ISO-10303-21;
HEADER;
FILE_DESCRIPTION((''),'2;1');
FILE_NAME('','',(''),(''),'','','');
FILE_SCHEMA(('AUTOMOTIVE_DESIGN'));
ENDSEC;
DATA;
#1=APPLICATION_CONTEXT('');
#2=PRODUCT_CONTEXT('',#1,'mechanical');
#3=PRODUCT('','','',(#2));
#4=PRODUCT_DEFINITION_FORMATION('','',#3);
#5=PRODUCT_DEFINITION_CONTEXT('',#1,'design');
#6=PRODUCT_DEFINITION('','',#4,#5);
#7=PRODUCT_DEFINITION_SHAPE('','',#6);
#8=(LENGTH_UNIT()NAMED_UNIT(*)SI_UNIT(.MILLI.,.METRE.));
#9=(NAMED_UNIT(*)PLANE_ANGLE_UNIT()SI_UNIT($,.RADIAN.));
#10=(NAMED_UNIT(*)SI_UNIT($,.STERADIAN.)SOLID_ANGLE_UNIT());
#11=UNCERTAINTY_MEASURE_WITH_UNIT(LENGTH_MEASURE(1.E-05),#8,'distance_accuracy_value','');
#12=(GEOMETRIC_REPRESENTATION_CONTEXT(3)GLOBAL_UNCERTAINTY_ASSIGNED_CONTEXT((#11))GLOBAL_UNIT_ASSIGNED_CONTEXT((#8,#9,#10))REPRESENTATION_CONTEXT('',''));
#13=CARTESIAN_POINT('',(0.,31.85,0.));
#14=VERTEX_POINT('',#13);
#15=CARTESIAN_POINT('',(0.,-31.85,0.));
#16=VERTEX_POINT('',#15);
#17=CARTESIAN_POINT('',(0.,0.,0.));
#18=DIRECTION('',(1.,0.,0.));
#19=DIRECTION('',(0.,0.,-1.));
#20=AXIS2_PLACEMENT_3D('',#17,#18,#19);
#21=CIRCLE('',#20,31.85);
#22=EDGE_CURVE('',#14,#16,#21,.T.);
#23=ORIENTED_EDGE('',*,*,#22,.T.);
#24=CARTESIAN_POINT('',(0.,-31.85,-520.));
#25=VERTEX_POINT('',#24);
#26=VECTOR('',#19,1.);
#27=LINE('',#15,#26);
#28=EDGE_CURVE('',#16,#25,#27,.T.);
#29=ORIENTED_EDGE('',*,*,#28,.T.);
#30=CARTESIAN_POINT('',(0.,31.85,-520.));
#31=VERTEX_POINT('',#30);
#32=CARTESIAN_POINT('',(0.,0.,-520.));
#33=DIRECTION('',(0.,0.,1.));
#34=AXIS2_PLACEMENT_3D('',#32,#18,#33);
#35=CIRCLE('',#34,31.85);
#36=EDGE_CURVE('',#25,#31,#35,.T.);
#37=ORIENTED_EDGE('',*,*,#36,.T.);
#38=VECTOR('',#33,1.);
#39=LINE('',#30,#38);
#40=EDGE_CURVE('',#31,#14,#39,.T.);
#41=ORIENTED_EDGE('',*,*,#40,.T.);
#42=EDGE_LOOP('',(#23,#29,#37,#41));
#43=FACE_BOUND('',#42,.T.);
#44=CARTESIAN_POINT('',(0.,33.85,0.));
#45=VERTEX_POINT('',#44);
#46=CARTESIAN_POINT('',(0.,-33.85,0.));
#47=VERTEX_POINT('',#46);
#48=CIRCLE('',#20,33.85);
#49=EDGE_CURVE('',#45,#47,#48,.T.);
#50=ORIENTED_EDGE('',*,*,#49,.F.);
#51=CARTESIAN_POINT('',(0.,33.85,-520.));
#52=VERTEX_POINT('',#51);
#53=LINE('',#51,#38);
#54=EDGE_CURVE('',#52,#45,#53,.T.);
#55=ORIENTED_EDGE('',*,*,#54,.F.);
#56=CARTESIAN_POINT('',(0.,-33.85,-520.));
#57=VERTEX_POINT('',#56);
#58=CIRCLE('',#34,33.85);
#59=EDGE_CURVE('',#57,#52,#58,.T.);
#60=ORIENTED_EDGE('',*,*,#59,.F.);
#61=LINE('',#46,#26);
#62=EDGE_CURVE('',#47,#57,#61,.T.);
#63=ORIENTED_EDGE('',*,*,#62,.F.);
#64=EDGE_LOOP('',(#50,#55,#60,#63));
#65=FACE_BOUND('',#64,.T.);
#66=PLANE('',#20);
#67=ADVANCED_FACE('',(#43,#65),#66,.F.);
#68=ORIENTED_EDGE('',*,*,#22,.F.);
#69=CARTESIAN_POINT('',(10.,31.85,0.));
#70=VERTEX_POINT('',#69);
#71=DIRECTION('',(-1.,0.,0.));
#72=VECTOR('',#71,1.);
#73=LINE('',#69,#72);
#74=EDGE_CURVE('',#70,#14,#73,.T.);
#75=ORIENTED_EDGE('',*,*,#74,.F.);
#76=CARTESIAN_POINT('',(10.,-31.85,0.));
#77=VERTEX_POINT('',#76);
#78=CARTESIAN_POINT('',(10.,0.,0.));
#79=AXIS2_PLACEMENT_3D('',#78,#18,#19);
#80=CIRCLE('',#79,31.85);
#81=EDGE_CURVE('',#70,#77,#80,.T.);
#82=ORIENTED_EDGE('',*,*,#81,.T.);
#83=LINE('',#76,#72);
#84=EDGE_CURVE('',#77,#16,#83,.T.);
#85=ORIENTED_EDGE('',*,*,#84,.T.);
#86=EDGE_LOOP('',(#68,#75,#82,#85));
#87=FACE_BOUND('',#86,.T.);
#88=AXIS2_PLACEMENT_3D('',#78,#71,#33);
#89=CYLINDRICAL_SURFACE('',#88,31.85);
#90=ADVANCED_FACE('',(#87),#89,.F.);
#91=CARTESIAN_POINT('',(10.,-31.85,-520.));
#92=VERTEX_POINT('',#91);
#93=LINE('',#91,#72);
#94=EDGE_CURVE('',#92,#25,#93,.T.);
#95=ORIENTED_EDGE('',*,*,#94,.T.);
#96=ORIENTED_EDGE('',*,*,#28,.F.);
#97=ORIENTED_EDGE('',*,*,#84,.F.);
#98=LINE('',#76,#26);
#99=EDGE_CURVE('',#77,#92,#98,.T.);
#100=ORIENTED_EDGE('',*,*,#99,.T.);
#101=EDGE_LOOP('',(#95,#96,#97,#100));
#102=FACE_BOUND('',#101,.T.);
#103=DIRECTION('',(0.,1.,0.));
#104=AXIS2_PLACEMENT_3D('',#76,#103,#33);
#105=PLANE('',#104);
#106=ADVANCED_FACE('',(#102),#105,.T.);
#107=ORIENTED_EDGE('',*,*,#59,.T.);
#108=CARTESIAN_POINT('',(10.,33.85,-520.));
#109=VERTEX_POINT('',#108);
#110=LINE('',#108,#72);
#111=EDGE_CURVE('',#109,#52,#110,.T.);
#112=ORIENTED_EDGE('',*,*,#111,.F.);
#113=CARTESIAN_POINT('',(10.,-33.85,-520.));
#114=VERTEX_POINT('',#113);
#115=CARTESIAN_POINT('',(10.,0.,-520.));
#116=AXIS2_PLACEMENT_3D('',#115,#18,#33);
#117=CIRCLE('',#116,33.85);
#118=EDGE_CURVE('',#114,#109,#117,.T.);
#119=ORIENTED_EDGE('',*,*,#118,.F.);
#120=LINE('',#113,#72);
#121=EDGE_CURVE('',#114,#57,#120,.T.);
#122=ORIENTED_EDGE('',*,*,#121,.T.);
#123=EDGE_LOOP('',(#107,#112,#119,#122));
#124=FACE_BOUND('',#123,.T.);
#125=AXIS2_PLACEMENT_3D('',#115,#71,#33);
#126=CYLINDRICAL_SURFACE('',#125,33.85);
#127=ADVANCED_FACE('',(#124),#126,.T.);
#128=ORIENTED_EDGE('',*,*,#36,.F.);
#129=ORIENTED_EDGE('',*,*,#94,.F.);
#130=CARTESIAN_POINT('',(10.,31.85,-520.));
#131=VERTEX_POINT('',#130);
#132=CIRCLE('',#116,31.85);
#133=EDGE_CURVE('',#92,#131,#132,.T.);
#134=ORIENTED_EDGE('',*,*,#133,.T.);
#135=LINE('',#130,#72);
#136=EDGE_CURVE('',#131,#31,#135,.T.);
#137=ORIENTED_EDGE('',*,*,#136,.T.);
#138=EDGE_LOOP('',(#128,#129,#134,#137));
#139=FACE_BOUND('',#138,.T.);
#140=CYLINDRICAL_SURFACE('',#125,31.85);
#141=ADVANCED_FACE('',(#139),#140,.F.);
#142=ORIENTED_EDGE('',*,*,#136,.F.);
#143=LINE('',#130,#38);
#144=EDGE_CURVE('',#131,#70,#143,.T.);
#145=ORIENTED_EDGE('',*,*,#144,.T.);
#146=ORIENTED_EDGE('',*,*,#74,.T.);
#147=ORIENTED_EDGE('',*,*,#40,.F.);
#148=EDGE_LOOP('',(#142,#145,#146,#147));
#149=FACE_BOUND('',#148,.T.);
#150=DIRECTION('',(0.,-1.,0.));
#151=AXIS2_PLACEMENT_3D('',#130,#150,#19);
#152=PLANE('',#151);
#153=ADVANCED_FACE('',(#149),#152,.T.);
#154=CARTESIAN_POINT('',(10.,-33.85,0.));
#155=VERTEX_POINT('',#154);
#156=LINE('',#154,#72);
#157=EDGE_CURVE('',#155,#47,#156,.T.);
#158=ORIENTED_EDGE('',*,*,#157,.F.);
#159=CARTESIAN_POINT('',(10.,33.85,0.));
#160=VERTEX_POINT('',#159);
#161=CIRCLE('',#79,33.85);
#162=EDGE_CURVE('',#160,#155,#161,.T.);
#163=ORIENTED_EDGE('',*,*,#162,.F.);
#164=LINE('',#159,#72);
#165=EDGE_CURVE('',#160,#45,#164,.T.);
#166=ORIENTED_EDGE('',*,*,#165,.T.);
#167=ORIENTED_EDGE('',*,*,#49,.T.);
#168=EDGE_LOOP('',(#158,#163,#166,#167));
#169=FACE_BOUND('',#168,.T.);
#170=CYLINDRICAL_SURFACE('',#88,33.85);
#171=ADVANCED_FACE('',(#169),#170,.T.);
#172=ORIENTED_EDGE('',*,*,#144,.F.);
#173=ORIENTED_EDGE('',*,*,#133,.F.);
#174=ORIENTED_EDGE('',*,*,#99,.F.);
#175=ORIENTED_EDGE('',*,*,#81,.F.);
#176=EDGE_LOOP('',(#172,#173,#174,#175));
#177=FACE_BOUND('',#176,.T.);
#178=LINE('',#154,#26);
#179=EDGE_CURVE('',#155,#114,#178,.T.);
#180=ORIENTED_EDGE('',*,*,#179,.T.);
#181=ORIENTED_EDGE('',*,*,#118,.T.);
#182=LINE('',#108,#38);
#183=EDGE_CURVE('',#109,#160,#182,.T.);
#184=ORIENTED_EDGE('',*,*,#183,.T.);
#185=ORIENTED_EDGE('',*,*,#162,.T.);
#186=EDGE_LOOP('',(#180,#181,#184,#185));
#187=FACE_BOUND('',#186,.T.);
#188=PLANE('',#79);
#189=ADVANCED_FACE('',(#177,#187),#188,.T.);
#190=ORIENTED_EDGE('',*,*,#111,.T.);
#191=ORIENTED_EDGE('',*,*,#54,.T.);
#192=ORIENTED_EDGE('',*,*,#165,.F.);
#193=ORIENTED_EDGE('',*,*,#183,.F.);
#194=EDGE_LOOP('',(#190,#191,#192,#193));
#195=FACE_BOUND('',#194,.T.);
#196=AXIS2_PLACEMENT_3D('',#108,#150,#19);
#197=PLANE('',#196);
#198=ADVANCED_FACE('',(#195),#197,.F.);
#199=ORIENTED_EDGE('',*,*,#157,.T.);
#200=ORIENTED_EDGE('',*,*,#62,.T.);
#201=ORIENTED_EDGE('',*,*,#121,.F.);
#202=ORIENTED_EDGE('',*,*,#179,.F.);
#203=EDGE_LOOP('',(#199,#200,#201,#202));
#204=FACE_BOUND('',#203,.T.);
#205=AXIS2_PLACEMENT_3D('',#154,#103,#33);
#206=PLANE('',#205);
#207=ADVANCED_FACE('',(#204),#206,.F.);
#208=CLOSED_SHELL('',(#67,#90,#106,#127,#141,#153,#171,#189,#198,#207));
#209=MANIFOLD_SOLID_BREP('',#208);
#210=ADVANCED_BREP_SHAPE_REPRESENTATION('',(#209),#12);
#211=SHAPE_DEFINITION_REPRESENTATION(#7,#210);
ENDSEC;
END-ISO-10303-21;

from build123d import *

# Parameters (mm, degrees)
BOSS_EXTRUDE1_DEPTH = 10


with BuildPart() as part:
    # Sketch1 → Boss-Extrude1 (new body)
    with BuildSketch(Plane(origin=(0, 0, 0), x_dir=(0, 0, -1), z_dir=(1, 0, 0))):
        with BuildLine():
            Line((0, -33.85), (520, -33.85))
            ThreePointArc((520, -33.85), (553.85, 0), (520, 33.85))
            Line((520, 33.85), (0, 33.85))
            ThreePointArc((0, 33.85), (-33.85, 0), (0, -33.85))
        make_face()
        with BuildLine():
            Line((520, 31.85), (0, 31.85))
            ThreePointArc((0, 31.85), (-31.85, 0), (0, -31.85))
            Line((0, -31.85), (520, -31.85))
            ThreePointArc((520, -31.85), (551.85, 0), (520, 31.85))
        make_face(mode=Mode.SUBTRACT)
    extrude(amount=BOSS_EXTRUDE1_DEPTH)


solid = part.part
